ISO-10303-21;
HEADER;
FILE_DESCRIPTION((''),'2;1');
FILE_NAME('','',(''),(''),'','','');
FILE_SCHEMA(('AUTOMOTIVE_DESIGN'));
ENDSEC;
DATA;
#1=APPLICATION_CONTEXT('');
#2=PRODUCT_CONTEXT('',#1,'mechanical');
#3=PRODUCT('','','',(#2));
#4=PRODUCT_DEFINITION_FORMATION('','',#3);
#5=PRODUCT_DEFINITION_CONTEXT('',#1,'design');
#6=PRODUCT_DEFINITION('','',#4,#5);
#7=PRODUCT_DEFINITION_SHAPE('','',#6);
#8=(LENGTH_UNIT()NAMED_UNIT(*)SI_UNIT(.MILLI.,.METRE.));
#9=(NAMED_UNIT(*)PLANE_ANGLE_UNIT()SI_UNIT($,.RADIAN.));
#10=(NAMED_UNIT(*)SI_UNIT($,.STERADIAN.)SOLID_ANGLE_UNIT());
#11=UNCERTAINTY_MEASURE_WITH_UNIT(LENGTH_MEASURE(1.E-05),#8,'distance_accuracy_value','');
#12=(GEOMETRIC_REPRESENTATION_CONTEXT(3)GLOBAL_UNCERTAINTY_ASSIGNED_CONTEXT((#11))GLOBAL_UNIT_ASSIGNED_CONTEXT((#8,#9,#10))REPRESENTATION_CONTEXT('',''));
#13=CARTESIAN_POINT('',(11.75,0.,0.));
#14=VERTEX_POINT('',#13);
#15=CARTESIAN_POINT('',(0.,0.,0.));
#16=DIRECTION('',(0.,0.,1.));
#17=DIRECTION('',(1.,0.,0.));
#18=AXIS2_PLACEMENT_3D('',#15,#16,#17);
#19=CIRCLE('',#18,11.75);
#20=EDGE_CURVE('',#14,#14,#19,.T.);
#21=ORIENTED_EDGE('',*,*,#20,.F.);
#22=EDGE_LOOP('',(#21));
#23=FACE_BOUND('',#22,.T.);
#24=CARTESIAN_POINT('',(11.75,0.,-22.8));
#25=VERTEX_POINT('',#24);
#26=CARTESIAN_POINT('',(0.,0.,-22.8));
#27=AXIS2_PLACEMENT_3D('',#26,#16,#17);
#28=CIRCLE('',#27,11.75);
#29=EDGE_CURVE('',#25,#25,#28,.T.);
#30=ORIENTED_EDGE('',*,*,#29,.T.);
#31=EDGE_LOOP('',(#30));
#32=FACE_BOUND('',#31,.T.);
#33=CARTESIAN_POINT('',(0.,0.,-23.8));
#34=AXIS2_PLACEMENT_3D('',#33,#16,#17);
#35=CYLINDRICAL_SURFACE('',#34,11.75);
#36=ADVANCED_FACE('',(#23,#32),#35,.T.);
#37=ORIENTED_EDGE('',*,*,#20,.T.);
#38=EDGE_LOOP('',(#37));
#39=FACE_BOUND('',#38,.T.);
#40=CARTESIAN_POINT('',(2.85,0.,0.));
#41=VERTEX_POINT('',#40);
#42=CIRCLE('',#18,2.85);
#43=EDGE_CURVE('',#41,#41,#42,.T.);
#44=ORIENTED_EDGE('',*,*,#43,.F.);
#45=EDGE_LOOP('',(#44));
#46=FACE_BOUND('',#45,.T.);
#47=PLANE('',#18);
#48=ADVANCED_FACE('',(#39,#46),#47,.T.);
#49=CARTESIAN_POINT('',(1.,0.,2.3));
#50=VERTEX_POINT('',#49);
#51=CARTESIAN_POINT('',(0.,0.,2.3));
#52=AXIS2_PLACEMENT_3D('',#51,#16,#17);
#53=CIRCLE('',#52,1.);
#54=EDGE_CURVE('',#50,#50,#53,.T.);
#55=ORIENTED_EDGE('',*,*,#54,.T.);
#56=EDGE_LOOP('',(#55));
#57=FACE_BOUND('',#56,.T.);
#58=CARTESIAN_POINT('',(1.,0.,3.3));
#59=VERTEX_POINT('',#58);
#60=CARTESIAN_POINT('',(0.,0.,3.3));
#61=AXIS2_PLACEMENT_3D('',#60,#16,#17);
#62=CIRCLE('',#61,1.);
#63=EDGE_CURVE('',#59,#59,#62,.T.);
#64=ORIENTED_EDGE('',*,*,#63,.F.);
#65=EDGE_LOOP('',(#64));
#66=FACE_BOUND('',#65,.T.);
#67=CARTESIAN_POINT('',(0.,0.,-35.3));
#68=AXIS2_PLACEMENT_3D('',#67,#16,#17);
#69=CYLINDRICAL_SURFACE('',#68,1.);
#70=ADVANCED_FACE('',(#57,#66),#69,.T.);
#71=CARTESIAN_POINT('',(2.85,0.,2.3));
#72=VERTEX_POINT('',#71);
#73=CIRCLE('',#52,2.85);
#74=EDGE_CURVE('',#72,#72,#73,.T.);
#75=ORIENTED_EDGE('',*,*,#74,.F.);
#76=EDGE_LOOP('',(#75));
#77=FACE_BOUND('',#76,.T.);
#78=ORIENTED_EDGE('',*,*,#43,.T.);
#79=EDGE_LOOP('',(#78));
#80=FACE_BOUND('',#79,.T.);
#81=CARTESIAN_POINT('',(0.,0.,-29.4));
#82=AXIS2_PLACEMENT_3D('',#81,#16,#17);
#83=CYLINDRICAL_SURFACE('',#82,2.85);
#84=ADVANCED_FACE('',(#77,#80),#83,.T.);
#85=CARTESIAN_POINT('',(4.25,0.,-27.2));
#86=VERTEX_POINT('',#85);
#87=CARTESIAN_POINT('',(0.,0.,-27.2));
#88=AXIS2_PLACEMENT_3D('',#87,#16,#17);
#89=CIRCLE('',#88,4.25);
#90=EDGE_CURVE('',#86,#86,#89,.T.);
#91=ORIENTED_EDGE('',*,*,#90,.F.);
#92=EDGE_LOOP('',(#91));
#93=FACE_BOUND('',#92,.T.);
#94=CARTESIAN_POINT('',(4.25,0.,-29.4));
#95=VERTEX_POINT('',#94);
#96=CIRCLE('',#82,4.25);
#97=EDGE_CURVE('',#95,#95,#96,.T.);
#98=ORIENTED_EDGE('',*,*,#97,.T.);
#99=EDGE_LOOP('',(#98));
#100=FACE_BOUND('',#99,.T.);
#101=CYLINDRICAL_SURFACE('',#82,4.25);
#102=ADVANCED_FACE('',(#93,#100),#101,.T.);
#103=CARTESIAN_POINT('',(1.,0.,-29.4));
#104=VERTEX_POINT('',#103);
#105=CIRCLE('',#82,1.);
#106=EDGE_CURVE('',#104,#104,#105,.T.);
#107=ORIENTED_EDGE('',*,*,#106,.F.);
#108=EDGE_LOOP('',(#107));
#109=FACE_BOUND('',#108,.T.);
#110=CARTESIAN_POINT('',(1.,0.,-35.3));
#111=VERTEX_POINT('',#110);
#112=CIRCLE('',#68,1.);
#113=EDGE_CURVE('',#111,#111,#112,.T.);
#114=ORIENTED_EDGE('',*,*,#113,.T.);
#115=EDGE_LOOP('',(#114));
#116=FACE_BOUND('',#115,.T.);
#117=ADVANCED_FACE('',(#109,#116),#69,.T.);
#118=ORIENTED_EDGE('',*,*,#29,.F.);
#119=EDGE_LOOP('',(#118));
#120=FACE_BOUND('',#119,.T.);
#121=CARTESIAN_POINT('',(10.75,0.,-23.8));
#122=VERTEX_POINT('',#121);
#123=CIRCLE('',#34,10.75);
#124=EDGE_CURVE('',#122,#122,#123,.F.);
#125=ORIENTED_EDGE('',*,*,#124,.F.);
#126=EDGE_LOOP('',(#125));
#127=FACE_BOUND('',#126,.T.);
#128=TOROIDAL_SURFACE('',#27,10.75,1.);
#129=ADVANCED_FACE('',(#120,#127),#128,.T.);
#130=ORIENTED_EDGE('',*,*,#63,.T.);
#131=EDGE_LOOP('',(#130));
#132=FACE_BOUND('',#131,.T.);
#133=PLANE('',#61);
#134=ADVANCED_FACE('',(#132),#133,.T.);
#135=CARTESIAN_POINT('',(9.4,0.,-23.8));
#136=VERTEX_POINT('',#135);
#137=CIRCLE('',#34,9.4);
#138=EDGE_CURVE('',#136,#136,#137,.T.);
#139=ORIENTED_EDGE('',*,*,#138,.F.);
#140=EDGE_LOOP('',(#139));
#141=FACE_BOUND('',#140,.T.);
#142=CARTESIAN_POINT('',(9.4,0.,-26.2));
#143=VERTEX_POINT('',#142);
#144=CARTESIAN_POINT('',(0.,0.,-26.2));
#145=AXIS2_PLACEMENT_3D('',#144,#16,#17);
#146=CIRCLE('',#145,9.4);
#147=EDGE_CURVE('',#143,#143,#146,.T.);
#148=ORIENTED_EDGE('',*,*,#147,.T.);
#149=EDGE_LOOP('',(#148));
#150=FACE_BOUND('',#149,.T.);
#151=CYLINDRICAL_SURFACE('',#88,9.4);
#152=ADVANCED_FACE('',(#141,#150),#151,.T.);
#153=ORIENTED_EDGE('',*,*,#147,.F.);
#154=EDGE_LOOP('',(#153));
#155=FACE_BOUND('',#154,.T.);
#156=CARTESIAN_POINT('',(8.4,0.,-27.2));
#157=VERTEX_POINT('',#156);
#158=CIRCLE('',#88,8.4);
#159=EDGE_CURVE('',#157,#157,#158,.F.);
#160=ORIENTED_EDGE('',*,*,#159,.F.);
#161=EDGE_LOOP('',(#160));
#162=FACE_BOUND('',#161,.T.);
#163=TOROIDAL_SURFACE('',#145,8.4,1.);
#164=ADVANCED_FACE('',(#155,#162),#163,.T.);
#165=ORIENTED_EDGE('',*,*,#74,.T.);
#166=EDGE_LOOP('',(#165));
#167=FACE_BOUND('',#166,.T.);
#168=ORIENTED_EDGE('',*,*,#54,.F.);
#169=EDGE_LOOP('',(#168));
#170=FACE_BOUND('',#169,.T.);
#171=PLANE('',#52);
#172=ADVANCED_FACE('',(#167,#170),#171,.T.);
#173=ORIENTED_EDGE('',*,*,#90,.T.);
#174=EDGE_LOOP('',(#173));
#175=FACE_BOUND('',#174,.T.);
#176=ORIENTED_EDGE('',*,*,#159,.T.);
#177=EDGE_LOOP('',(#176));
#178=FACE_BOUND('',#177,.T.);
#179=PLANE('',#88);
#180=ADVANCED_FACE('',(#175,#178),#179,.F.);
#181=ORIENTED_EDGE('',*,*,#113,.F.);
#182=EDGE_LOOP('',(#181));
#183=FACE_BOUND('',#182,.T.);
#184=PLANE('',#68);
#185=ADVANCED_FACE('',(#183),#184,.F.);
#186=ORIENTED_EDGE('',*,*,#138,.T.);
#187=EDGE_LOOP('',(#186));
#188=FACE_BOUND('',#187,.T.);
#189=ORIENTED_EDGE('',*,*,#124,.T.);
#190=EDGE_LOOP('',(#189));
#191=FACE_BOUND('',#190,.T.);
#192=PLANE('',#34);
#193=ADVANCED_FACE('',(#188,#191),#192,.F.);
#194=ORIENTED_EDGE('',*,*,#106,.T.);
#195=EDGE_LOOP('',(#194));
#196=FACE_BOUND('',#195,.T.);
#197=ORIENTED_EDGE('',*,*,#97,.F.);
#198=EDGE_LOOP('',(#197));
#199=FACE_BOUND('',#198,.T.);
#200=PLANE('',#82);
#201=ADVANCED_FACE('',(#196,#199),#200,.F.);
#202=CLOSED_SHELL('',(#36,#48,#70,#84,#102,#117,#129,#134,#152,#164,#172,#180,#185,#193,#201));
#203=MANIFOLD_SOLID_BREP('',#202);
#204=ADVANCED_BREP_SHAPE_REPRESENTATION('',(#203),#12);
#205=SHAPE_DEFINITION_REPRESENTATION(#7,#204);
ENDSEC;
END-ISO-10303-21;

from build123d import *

# Parameters (mm, degrees)
SKETCH1_R                = 11.75
SKETCH1_R_2              = 9.4
BOSS_EXTRUDE1_DEPTH      = 23.8
SKETCH1_3_R              = 9.4
SKETCH1_3_R_2            = 4.25
BOSS_EXTRUDE2_DEPTH      = 27.2
SKETCH1_4_R              = 4.25
SKETCH1_4_R_2            = 2.85
BOSS_EXTRUDE3_DEPTH      = 29.4
BOSS_EXTRUDE4_DEPTH      = 2.3
BOSS_EXTRUDE4_DEPTH_BACK = 29.4
SKETCH1_5_R              = 2.85
BOSS_EXTRUDE5_DEPTH      = 3.3
BOSS_EXTRUDE5_DEPTH_BACK = 35.3
SKETCH1_6_R              = 1
FILLET1_R                = 1


with BuildPart() as part:
    # Sketch1 → Boss-Extrude1 (new body)
    with BuildSketch(Plane.XY):
        Circle(SKETCH1_R)
        Circle(SKETCH1_R_2, mode=Mode.SUBTRACT)
    extrude(amount=-BOSS_EXTRUDE1_DEPTH)

    # Sketch1<3> → Boss-Extrude2 (add)
    with BuildSketch(Plane.XY):
        Circle(SKETCH1_3_R)
        Circle(SKETCH1_3_R_2, mode=Mode.SUBTRACT)
    extrude(amount=-BOSS_EXTRUDE2_DEPTH)

    # Sketch1<4> → Boss-Extrude3 (add)
    with BuildSketch(Plane.XY):
        Circle(SKETCH1_4_R)
        Circle(SKETCH1_4_R_2, mode=Mode.SUBTRACT)
    extrude(amount=-BOSS_EXTRUDE3_DEPTH)

    # Sketch1<5> → Boss-Extrude4 (add, two sides: drawn at the far end of the back side and taken through both)
    with BuildSketch(Plane.XY.offset(-BOSS_EXTRUDE4_DEPTH_BACK)):
        Circle(SKETCH1_5_R)
    extrude(amount=BOSS_EXTRUDE4_DEPTH + BOSS_EXTRUDE4_DEPTH_BACK)

    # Sketch1<6> → Boss-Extrude5 (add, two sides: drawn at the far end of the back side and taken through both)
    with BuildSketch(Plane.XY.offset(-BOSS_EXTRUDE5_DEPTH_BACK)):
        Circle(SKETCH1_6_R)
    extrude(amount=BOSS_EXTRUDE5_DEPTH + BOSS_EXTRUDE5_DEPTH_BACK)

    # Fillet1
    fillet1_edges = [part.edges().sort_by_distance(p)[0] for p in [
        (-9.4, 0, -27.2),
        (-11.75, 0, -23.8),
    ]]
    fillet(fillet1_edges, radius=FILLET1_R)


solid = part.part
